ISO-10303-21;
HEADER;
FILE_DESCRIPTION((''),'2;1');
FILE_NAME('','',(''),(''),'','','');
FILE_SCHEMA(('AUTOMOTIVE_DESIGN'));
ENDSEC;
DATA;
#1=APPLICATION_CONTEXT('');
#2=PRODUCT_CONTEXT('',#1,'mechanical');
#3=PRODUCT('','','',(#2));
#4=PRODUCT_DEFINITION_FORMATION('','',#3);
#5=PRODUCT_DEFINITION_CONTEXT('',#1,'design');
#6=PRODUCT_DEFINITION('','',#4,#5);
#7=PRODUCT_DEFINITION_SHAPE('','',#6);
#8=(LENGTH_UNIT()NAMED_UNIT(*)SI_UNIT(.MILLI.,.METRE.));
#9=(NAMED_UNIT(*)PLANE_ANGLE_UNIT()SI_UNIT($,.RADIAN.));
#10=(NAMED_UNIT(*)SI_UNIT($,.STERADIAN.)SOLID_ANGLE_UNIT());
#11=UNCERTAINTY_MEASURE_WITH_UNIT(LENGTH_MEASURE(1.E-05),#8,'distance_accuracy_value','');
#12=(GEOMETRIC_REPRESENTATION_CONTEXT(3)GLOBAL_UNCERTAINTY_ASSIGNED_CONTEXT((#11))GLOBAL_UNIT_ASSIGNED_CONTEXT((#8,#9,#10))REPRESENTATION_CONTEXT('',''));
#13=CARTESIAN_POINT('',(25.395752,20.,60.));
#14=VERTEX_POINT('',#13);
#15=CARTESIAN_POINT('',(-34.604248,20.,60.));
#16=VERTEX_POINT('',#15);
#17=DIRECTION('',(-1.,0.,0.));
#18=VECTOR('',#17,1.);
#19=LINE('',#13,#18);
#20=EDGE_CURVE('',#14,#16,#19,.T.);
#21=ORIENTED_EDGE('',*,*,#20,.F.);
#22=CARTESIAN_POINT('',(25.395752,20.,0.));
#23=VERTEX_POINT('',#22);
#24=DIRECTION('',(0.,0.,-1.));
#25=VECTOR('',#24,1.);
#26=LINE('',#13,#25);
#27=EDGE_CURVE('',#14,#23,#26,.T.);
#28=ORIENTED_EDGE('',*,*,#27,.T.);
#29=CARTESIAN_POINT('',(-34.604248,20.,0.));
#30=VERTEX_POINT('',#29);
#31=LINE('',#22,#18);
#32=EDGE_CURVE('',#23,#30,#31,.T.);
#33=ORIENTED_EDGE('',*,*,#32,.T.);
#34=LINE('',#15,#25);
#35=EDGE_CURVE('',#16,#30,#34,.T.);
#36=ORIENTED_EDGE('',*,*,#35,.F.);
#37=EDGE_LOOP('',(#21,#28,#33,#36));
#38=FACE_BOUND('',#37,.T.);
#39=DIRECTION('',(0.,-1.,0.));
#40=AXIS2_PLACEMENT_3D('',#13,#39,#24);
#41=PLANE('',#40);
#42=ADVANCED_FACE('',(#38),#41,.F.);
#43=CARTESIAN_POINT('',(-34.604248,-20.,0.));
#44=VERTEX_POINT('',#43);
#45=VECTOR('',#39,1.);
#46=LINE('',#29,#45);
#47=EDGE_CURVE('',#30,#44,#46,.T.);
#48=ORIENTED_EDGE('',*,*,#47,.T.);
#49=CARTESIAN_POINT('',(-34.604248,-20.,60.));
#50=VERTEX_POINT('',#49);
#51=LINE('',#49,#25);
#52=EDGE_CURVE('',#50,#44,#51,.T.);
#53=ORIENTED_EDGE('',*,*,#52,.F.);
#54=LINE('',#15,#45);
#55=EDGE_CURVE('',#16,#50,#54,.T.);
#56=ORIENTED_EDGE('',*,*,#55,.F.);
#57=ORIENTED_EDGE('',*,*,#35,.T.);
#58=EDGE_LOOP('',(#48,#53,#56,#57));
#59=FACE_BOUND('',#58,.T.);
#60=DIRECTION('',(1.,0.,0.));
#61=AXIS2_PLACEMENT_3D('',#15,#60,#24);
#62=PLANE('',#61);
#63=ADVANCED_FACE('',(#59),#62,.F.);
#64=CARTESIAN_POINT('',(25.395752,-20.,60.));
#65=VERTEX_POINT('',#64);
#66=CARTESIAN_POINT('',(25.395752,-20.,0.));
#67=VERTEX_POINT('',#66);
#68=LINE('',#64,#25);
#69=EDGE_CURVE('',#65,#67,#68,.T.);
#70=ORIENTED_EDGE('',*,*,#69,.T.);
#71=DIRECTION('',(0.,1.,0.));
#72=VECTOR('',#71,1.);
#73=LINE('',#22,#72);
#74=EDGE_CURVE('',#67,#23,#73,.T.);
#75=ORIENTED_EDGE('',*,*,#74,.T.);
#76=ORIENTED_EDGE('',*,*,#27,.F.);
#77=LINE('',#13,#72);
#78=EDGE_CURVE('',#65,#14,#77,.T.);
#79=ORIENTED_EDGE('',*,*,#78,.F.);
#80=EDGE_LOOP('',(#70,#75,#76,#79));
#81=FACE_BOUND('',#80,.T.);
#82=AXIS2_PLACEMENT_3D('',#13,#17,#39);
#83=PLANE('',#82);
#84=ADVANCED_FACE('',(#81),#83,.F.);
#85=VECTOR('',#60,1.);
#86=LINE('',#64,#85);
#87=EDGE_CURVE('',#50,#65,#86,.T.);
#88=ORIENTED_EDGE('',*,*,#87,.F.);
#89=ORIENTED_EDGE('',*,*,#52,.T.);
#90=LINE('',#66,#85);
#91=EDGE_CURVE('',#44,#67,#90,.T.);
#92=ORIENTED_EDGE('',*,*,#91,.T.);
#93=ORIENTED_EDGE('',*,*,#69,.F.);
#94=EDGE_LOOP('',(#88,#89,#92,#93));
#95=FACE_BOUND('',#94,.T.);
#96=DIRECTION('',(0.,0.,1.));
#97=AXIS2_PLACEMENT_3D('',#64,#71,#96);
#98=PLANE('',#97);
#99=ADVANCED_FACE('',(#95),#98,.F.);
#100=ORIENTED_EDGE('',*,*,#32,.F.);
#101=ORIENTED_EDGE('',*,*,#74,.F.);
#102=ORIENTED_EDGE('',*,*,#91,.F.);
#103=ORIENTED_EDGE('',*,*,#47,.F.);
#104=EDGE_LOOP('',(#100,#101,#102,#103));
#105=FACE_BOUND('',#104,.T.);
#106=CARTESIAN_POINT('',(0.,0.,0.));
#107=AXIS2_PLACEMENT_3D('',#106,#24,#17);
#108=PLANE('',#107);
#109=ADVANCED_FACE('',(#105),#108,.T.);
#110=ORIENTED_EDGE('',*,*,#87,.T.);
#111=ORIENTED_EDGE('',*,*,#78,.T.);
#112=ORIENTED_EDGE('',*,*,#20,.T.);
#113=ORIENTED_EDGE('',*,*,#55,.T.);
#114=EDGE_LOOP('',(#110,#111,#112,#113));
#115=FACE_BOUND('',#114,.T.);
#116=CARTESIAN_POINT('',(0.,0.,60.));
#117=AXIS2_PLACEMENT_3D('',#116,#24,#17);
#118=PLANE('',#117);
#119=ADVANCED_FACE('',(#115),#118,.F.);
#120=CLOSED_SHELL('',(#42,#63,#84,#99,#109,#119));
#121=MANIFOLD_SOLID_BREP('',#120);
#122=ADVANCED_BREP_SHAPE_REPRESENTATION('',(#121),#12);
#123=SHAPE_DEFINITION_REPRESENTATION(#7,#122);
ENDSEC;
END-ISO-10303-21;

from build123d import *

# Parameters (mm, degrees)
SKETCH1_W           = 60
SKETCH1_H           = 40
BOSS_EXTRUDE1_DEPTH = 60


with BuildPart() as part:
    # Sketch1 → Boss-Extrude1 (new body)
    with BuildSketch(Plane.XY):
        with Locations((-4.60424849, 0)):
            Rectangle(SKETCH1_W, SKETCH1_H)
    extrude(amount=BOSS_EXTRUDE1_DEPTH)


solid = part.part
